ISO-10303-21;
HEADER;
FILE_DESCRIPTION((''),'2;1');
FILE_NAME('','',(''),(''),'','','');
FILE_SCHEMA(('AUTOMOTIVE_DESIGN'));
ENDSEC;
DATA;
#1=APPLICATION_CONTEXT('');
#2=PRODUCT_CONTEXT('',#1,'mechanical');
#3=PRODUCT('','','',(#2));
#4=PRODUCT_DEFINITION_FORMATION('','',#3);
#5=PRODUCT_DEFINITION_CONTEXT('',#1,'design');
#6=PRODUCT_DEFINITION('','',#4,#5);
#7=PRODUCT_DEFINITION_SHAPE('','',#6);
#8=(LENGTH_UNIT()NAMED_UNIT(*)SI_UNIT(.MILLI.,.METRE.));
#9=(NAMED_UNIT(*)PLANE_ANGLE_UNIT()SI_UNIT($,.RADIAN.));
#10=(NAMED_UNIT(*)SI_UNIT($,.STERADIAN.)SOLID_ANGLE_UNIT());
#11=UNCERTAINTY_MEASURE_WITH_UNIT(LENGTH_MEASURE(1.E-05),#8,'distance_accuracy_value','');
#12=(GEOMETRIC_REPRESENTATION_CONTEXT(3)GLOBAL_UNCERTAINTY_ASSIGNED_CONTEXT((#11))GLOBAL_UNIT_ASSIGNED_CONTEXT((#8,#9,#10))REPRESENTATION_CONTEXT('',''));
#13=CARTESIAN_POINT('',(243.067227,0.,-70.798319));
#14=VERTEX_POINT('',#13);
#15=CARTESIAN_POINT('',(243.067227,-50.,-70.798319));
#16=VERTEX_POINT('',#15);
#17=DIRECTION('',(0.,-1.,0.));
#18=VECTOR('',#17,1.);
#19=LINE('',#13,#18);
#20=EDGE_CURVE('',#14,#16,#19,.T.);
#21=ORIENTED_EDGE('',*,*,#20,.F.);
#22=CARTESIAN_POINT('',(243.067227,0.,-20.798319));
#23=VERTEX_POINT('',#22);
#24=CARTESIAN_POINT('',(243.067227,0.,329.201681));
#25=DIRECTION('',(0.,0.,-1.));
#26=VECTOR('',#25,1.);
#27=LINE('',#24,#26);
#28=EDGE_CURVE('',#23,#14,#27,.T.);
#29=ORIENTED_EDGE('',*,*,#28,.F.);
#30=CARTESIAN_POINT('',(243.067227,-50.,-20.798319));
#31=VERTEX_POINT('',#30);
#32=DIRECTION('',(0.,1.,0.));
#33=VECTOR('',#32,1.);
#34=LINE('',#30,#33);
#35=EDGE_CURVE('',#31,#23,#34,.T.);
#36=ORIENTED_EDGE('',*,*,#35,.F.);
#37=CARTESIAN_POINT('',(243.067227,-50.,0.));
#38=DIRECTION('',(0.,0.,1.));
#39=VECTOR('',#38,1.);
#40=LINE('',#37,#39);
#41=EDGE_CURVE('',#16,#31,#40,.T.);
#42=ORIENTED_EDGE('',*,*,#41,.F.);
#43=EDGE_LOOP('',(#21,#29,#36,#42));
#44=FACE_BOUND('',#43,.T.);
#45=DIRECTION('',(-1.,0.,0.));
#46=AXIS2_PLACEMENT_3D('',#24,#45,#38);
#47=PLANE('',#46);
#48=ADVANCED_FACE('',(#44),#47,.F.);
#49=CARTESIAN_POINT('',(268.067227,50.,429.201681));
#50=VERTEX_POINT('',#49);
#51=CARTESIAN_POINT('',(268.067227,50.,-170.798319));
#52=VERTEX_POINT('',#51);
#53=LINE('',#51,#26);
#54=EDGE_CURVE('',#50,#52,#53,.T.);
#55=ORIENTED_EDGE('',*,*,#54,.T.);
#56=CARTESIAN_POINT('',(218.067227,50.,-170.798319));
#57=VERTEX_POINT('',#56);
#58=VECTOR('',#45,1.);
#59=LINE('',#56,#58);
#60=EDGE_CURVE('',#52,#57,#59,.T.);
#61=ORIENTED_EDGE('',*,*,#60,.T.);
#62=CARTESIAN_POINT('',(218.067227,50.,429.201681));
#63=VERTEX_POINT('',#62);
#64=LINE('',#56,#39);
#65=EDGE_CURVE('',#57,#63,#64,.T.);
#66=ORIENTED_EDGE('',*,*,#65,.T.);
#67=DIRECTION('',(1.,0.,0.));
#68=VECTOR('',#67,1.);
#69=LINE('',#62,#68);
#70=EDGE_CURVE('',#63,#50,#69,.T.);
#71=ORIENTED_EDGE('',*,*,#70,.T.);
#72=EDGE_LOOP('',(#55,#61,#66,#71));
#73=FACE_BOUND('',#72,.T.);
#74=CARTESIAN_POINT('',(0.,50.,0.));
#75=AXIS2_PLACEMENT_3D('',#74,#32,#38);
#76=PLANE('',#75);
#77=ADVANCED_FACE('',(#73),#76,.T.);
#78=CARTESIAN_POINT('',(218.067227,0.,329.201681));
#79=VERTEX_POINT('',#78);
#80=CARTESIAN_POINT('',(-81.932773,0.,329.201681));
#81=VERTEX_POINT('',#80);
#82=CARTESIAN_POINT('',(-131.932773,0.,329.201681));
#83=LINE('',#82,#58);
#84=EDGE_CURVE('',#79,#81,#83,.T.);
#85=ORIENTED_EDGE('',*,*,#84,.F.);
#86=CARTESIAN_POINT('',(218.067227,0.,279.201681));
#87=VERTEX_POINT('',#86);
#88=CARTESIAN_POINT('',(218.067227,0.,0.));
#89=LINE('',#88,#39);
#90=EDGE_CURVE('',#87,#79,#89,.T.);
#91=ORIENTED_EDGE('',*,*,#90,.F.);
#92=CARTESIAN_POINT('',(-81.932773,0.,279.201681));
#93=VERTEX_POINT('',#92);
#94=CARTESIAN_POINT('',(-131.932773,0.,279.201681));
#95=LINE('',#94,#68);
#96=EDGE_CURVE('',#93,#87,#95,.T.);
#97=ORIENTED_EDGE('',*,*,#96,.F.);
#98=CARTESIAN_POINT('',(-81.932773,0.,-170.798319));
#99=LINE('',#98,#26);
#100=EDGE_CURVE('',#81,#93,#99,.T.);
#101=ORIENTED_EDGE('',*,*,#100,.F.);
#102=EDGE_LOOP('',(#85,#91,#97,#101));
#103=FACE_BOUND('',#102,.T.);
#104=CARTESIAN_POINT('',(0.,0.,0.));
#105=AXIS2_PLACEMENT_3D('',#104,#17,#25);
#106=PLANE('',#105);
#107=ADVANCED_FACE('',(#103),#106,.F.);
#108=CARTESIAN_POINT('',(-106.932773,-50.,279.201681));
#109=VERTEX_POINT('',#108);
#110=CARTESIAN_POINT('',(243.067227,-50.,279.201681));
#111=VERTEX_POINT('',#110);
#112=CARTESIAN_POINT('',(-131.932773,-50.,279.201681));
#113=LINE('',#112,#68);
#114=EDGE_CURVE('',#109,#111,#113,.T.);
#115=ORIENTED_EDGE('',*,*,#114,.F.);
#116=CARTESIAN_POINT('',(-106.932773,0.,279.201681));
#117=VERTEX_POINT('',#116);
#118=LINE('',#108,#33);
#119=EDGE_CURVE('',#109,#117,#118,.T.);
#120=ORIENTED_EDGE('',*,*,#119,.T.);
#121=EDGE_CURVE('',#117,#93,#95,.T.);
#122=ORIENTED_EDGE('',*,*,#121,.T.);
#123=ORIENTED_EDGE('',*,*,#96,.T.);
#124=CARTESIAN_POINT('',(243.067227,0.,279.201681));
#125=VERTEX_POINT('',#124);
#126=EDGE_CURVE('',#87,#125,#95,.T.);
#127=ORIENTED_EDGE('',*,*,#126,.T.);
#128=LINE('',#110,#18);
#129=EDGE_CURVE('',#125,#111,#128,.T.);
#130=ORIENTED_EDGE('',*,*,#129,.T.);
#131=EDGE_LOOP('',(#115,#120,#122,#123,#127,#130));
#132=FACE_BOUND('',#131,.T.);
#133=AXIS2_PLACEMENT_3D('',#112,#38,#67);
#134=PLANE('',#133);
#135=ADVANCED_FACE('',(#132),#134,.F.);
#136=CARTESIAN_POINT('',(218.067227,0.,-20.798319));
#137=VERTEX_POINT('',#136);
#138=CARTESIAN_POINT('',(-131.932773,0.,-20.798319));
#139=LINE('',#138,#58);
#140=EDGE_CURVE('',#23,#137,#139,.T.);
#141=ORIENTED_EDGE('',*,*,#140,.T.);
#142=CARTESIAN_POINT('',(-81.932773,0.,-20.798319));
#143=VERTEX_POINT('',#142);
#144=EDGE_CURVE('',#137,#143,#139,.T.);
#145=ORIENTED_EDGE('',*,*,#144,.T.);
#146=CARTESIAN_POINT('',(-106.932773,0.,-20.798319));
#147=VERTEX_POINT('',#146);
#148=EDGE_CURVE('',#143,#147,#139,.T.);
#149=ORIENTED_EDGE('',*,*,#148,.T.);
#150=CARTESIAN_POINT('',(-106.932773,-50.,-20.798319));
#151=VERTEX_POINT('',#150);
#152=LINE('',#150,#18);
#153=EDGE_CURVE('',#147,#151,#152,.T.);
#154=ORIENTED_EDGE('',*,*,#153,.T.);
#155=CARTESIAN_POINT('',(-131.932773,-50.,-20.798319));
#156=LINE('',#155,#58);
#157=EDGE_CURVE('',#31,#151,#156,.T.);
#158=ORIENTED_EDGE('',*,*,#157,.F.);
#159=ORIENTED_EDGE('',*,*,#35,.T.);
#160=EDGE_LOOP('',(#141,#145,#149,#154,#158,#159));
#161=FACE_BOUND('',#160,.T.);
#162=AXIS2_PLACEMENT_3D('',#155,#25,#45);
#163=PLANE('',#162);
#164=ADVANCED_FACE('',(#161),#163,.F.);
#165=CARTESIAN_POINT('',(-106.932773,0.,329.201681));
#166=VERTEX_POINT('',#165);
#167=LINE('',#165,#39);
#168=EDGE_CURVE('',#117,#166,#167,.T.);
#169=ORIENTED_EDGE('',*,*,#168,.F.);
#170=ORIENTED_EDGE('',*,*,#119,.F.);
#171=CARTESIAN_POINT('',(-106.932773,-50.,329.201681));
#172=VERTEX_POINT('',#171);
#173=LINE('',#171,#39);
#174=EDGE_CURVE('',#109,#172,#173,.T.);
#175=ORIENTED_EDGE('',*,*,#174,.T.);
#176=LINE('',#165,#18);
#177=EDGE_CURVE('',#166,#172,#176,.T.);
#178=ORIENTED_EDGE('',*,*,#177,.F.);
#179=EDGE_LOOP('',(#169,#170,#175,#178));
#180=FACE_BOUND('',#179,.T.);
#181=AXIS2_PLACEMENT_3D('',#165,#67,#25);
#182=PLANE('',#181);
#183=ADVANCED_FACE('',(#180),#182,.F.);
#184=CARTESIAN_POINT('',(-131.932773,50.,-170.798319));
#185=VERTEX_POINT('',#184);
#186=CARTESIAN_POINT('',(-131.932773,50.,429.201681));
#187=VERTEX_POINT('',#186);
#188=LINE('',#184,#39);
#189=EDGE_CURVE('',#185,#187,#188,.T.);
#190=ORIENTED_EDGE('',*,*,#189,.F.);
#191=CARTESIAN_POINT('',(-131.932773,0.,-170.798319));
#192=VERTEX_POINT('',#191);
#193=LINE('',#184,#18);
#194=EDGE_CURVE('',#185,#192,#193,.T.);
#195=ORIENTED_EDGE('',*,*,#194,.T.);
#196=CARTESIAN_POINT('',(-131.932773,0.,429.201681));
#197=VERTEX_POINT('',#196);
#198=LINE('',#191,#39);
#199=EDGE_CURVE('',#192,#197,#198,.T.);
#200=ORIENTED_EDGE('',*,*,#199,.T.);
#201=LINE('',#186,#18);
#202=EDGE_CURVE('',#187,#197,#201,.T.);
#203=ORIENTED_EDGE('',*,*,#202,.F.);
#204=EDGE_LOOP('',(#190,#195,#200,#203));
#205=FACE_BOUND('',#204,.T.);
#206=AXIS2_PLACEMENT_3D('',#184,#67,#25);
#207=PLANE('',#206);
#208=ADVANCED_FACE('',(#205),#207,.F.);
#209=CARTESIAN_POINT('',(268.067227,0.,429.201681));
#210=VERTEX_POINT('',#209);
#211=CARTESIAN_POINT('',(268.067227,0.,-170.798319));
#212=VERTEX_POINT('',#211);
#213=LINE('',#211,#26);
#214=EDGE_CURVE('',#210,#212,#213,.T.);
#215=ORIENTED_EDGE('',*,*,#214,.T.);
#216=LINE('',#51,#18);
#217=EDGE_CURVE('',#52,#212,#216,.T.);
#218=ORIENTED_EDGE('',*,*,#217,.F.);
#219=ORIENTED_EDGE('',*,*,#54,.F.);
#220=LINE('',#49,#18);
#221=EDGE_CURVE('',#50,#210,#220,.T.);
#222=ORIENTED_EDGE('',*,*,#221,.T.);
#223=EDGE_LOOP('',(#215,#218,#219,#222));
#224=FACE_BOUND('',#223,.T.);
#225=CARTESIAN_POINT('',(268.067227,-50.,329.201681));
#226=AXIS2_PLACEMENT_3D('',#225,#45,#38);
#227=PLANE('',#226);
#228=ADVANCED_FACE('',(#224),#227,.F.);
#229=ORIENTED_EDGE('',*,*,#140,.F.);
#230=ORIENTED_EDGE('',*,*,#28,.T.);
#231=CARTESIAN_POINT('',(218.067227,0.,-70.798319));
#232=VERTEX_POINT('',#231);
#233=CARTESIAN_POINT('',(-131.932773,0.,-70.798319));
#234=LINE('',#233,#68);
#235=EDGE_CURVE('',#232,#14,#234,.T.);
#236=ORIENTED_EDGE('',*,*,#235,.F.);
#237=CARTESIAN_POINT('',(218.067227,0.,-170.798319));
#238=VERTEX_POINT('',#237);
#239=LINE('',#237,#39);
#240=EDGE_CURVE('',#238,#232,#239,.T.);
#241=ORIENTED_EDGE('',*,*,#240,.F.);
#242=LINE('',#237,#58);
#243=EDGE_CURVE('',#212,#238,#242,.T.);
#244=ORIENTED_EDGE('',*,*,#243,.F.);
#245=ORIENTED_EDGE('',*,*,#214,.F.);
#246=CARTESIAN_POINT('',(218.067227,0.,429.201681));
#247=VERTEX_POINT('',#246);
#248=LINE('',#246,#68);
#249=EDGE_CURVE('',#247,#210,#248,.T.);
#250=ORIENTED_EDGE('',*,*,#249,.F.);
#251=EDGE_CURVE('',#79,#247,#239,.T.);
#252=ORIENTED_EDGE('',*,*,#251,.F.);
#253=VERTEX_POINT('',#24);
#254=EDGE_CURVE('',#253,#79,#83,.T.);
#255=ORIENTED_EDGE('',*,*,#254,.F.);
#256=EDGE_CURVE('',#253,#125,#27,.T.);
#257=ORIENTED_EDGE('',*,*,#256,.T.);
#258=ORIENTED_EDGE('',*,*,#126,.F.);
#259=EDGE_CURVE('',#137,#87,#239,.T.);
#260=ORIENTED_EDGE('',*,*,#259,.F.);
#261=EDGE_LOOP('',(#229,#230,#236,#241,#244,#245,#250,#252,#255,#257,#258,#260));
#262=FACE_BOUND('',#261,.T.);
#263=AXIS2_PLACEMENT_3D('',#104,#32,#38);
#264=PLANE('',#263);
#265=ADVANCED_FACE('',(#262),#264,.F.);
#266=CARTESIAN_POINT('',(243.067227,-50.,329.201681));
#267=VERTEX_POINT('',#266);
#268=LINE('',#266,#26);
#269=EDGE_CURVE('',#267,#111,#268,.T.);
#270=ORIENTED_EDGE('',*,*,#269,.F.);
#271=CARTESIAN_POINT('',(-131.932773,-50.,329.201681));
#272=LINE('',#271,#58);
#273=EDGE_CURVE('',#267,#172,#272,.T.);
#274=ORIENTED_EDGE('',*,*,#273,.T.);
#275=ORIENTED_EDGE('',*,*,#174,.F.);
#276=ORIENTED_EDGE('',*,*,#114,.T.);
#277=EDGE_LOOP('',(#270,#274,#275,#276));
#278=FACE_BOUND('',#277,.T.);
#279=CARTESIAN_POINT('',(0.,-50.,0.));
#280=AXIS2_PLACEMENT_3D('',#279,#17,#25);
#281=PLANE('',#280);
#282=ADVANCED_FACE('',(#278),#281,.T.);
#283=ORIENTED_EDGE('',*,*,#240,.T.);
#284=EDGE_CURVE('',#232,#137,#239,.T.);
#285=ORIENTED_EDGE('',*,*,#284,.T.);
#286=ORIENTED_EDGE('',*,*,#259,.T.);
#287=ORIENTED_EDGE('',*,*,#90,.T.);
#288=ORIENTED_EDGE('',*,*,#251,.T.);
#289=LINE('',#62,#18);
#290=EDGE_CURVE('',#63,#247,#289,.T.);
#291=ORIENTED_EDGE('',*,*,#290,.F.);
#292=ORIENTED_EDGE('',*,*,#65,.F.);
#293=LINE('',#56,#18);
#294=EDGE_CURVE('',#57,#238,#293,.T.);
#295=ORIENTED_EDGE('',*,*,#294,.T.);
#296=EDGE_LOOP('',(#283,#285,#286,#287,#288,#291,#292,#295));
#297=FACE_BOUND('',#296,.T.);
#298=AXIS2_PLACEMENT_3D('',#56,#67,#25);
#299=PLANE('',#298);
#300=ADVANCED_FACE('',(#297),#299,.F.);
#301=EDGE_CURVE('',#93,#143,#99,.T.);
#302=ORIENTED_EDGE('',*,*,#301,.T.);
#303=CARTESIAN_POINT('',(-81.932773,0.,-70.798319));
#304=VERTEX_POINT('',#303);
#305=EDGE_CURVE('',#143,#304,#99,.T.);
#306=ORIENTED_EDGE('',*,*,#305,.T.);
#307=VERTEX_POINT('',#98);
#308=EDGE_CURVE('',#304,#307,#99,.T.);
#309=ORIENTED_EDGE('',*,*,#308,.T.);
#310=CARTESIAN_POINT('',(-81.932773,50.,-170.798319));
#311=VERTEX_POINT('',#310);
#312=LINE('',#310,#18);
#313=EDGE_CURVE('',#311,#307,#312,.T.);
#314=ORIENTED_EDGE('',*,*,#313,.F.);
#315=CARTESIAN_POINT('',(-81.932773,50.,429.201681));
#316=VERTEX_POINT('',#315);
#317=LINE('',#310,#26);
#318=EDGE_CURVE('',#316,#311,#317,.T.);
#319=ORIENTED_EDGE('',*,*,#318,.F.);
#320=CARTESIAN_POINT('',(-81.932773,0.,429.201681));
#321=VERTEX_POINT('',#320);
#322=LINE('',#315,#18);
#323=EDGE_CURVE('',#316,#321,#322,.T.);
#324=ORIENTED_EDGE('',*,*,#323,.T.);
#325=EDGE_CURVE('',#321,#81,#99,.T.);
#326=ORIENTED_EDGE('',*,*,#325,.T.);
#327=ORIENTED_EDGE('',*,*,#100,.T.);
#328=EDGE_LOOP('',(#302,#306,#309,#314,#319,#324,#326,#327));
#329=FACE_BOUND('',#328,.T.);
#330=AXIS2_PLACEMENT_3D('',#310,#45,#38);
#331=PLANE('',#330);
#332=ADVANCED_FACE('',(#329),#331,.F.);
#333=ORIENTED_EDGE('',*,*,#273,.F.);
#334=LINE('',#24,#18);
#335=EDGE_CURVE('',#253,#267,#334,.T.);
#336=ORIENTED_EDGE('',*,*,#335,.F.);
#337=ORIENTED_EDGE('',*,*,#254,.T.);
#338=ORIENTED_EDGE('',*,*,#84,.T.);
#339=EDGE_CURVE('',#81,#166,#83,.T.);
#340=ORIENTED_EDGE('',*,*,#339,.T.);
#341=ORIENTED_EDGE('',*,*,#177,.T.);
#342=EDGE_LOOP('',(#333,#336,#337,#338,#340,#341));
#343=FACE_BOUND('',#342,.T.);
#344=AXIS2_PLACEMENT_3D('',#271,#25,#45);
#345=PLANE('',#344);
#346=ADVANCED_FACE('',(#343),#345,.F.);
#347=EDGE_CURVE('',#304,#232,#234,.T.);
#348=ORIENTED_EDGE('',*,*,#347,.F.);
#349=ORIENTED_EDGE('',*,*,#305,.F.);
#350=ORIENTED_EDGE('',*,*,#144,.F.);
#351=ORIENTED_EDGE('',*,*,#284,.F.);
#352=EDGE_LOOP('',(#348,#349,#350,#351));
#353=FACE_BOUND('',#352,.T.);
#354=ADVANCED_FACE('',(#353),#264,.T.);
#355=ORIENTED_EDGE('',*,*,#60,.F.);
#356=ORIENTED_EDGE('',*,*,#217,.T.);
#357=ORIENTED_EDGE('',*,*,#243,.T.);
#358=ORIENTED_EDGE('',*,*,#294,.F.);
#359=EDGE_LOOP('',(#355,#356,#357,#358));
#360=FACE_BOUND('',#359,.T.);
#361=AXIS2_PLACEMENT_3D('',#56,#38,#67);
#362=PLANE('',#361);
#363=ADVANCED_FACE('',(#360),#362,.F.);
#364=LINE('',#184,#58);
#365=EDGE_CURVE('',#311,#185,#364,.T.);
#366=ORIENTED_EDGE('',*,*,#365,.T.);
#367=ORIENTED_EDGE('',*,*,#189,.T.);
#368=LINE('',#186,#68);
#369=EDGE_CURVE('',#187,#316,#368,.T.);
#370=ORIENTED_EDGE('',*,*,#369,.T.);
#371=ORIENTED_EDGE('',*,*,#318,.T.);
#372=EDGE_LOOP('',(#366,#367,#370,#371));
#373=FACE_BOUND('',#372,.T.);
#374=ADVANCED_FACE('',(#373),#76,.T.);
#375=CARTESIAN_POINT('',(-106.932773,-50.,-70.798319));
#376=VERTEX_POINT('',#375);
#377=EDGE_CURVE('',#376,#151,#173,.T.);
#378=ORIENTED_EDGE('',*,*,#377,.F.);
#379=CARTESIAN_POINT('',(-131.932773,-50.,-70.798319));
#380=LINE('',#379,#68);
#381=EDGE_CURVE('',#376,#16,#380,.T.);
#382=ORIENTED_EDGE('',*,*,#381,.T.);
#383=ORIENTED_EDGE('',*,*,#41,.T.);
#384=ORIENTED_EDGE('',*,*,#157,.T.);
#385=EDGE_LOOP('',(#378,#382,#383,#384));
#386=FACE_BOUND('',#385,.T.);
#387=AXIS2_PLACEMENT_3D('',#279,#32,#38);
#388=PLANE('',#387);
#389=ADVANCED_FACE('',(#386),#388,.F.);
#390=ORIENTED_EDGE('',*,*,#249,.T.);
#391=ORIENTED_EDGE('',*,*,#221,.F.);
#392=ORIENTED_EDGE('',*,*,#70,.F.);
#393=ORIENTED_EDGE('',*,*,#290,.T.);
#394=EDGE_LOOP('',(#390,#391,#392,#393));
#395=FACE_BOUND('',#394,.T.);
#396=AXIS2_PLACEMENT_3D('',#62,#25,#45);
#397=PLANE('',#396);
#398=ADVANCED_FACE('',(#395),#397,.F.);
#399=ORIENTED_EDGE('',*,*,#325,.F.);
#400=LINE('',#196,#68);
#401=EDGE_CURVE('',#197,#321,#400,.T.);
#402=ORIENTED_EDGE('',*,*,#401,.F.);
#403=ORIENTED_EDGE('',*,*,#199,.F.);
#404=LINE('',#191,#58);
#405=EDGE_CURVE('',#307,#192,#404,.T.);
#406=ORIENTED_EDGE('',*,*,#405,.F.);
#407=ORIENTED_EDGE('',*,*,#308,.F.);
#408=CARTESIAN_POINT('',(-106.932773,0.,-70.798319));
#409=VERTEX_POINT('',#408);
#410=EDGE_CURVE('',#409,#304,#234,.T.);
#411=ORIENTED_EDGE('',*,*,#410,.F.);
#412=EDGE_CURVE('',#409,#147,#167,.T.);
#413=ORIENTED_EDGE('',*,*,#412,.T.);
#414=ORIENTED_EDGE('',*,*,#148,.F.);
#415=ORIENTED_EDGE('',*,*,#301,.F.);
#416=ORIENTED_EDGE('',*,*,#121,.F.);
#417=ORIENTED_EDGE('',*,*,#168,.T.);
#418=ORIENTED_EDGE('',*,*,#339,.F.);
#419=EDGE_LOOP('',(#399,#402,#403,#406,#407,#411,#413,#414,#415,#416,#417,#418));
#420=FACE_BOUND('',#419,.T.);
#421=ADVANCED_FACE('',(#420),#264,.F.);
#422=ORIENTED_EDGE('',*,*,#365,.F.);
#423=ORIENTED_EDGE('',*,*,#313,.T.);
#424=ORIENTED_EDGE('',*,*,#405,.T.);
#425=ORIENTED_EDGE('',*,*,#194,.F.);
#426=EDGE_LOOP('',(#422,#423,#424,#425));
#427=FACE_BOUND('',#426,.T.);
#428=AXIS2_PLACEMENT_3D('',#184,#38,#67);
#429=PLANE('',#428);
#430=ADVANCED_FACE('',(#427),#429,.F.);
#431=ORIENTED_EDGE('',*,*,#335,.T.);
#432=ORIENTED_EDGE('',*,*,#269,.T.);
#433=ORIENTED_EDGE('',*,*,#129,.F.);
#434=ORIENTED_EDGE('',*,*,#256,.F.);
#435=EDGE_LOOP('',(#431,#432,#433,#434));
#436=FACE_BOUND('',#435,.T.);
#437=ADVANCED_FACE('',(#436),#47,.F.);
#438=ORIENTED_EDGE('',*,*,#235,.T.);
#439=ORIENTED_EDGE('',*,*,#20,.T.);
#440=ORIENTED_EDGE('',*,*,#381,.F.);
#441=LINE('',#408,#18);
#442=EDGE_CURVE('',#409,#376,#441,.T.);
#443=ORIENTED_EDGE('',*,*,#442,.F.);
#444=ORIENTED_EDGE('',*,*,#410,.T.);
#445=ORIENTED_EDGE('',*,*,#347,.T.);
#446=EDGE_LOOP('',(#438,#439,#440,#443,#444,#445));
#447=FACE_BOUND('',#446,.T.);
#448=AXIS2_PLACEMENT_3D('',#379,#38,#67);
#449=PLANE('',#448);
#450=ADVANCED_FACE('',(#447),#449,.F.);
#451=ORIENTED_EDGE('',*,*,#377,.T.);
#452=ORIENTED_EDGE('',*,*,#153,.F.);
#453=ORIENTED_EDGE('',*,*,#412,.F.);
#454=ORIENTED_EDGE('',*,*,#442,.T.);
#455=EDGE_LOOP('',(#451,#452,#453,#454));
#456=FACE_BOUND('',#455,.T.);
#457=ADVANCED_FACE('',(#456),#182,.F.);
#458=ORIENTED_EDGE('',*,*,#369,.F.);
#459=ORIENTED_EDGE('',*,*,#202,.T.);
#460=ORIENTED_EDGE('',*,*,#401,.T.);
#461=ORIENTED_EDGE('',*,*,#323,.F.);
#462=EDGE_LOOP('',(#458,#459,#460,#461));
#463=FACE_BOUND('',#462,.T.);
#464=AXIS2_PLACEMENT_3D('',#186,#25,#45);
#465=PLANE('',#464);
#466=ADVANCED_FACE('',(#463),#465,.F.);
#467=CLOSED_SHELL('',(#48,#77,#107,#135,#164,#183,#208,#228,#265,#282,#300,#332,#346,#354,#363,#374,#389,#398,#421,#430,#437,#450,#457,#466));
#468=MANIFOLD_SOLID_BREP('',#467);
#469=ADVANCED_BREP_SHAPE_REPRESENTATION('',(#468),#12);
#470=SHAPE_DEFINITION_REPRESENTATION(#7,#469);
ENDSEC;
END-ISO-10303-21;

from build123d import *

# Parameters (mm, degrees)
SKETCH1_W             = 50
SKETCH1_H             = 600
BOSS_EXTRUDE1_DEPTH   = 50
BOSS_EXTRUDE1_2_DEPTH = 50
SKETCH2_W             = 400
SKETCH2_H             = 50
BOSS_EXTRUDE2_DEPTH   = 50
SKETCH4_W             = 25
SKETCH4_H             = 400
CUT_EXTRUDE2_DEPTH    = 50


with BuildPart() as part:
    # Sketch1 → Boss-Extrude1 (new body)
    with BuildSketch(Plane(origin=(0, 0, 0), x_dir=(1, 0, 0), z_dir=(0, 1, 0))):
        with Locations((-106.932773109, -129.201680672)):
            Rectangle(SKETCH1_W, SKETCH1_H)
    extrude(amount=BOSS_EXTRUDE1_DEPTH)



with BuildPart() as body_2:
    # Sketch1 → Boss-Extrude1 2 (new body)
    with BuildSketch(Plane(origin=(0, 0, 0), x_dir=(1, 0, 0), z_dir=(0, 1, 0))):
        with Locations((243.067226891, -129.201680672)):
            Rectangle(SKETCH1_W, SKETCH1_H)
    extrude(amount=BOSS_EXTRUDE1_2_DEPTH)


with BuildPart() as part_1:
    add(part.part)

    add(body_2.part)  # Boss-Extrude2 merges body 2
    # Sketch2 → Boss-Extrude2 (add)
    with BuildSketch(Plane(origin=(0, 0, 0), x_dir=(-1, 0, 0), z_dir=(0, -1, 0))):
        with Locations((-68.067226891, -304.201680672)):
            Rectangle(SKETCH2_W, SKETCH2_H)
        with Locations((-68.067226891, 45.798319328)):
            Rectangle(SKETCH2_W, SKETCH2_H)
    extrude(amount=BOSS_EXTRUDE2_DEPTH)

    # Sketch4 → Cut-Extrude2 (cut)
    with BuildSketch(Plane(origin=(0, -50, 0), x_dir=(-1, 0, 0), z_dir=(0, -1, 0))):
        with Locations((-255.567226891, -129.201680672)):
            Rectangle(SKETCH4_W, SKETCH4_H)
        with Locations((119.432773109, -129.201680672)):
            Rectangle(SKETCH4_W, SKETCH4_H)
    extrude(amount=-CUT_EXTRUDE2_DEPTH, mode=Mode.SUBTRACT)


solid = part_1.part
